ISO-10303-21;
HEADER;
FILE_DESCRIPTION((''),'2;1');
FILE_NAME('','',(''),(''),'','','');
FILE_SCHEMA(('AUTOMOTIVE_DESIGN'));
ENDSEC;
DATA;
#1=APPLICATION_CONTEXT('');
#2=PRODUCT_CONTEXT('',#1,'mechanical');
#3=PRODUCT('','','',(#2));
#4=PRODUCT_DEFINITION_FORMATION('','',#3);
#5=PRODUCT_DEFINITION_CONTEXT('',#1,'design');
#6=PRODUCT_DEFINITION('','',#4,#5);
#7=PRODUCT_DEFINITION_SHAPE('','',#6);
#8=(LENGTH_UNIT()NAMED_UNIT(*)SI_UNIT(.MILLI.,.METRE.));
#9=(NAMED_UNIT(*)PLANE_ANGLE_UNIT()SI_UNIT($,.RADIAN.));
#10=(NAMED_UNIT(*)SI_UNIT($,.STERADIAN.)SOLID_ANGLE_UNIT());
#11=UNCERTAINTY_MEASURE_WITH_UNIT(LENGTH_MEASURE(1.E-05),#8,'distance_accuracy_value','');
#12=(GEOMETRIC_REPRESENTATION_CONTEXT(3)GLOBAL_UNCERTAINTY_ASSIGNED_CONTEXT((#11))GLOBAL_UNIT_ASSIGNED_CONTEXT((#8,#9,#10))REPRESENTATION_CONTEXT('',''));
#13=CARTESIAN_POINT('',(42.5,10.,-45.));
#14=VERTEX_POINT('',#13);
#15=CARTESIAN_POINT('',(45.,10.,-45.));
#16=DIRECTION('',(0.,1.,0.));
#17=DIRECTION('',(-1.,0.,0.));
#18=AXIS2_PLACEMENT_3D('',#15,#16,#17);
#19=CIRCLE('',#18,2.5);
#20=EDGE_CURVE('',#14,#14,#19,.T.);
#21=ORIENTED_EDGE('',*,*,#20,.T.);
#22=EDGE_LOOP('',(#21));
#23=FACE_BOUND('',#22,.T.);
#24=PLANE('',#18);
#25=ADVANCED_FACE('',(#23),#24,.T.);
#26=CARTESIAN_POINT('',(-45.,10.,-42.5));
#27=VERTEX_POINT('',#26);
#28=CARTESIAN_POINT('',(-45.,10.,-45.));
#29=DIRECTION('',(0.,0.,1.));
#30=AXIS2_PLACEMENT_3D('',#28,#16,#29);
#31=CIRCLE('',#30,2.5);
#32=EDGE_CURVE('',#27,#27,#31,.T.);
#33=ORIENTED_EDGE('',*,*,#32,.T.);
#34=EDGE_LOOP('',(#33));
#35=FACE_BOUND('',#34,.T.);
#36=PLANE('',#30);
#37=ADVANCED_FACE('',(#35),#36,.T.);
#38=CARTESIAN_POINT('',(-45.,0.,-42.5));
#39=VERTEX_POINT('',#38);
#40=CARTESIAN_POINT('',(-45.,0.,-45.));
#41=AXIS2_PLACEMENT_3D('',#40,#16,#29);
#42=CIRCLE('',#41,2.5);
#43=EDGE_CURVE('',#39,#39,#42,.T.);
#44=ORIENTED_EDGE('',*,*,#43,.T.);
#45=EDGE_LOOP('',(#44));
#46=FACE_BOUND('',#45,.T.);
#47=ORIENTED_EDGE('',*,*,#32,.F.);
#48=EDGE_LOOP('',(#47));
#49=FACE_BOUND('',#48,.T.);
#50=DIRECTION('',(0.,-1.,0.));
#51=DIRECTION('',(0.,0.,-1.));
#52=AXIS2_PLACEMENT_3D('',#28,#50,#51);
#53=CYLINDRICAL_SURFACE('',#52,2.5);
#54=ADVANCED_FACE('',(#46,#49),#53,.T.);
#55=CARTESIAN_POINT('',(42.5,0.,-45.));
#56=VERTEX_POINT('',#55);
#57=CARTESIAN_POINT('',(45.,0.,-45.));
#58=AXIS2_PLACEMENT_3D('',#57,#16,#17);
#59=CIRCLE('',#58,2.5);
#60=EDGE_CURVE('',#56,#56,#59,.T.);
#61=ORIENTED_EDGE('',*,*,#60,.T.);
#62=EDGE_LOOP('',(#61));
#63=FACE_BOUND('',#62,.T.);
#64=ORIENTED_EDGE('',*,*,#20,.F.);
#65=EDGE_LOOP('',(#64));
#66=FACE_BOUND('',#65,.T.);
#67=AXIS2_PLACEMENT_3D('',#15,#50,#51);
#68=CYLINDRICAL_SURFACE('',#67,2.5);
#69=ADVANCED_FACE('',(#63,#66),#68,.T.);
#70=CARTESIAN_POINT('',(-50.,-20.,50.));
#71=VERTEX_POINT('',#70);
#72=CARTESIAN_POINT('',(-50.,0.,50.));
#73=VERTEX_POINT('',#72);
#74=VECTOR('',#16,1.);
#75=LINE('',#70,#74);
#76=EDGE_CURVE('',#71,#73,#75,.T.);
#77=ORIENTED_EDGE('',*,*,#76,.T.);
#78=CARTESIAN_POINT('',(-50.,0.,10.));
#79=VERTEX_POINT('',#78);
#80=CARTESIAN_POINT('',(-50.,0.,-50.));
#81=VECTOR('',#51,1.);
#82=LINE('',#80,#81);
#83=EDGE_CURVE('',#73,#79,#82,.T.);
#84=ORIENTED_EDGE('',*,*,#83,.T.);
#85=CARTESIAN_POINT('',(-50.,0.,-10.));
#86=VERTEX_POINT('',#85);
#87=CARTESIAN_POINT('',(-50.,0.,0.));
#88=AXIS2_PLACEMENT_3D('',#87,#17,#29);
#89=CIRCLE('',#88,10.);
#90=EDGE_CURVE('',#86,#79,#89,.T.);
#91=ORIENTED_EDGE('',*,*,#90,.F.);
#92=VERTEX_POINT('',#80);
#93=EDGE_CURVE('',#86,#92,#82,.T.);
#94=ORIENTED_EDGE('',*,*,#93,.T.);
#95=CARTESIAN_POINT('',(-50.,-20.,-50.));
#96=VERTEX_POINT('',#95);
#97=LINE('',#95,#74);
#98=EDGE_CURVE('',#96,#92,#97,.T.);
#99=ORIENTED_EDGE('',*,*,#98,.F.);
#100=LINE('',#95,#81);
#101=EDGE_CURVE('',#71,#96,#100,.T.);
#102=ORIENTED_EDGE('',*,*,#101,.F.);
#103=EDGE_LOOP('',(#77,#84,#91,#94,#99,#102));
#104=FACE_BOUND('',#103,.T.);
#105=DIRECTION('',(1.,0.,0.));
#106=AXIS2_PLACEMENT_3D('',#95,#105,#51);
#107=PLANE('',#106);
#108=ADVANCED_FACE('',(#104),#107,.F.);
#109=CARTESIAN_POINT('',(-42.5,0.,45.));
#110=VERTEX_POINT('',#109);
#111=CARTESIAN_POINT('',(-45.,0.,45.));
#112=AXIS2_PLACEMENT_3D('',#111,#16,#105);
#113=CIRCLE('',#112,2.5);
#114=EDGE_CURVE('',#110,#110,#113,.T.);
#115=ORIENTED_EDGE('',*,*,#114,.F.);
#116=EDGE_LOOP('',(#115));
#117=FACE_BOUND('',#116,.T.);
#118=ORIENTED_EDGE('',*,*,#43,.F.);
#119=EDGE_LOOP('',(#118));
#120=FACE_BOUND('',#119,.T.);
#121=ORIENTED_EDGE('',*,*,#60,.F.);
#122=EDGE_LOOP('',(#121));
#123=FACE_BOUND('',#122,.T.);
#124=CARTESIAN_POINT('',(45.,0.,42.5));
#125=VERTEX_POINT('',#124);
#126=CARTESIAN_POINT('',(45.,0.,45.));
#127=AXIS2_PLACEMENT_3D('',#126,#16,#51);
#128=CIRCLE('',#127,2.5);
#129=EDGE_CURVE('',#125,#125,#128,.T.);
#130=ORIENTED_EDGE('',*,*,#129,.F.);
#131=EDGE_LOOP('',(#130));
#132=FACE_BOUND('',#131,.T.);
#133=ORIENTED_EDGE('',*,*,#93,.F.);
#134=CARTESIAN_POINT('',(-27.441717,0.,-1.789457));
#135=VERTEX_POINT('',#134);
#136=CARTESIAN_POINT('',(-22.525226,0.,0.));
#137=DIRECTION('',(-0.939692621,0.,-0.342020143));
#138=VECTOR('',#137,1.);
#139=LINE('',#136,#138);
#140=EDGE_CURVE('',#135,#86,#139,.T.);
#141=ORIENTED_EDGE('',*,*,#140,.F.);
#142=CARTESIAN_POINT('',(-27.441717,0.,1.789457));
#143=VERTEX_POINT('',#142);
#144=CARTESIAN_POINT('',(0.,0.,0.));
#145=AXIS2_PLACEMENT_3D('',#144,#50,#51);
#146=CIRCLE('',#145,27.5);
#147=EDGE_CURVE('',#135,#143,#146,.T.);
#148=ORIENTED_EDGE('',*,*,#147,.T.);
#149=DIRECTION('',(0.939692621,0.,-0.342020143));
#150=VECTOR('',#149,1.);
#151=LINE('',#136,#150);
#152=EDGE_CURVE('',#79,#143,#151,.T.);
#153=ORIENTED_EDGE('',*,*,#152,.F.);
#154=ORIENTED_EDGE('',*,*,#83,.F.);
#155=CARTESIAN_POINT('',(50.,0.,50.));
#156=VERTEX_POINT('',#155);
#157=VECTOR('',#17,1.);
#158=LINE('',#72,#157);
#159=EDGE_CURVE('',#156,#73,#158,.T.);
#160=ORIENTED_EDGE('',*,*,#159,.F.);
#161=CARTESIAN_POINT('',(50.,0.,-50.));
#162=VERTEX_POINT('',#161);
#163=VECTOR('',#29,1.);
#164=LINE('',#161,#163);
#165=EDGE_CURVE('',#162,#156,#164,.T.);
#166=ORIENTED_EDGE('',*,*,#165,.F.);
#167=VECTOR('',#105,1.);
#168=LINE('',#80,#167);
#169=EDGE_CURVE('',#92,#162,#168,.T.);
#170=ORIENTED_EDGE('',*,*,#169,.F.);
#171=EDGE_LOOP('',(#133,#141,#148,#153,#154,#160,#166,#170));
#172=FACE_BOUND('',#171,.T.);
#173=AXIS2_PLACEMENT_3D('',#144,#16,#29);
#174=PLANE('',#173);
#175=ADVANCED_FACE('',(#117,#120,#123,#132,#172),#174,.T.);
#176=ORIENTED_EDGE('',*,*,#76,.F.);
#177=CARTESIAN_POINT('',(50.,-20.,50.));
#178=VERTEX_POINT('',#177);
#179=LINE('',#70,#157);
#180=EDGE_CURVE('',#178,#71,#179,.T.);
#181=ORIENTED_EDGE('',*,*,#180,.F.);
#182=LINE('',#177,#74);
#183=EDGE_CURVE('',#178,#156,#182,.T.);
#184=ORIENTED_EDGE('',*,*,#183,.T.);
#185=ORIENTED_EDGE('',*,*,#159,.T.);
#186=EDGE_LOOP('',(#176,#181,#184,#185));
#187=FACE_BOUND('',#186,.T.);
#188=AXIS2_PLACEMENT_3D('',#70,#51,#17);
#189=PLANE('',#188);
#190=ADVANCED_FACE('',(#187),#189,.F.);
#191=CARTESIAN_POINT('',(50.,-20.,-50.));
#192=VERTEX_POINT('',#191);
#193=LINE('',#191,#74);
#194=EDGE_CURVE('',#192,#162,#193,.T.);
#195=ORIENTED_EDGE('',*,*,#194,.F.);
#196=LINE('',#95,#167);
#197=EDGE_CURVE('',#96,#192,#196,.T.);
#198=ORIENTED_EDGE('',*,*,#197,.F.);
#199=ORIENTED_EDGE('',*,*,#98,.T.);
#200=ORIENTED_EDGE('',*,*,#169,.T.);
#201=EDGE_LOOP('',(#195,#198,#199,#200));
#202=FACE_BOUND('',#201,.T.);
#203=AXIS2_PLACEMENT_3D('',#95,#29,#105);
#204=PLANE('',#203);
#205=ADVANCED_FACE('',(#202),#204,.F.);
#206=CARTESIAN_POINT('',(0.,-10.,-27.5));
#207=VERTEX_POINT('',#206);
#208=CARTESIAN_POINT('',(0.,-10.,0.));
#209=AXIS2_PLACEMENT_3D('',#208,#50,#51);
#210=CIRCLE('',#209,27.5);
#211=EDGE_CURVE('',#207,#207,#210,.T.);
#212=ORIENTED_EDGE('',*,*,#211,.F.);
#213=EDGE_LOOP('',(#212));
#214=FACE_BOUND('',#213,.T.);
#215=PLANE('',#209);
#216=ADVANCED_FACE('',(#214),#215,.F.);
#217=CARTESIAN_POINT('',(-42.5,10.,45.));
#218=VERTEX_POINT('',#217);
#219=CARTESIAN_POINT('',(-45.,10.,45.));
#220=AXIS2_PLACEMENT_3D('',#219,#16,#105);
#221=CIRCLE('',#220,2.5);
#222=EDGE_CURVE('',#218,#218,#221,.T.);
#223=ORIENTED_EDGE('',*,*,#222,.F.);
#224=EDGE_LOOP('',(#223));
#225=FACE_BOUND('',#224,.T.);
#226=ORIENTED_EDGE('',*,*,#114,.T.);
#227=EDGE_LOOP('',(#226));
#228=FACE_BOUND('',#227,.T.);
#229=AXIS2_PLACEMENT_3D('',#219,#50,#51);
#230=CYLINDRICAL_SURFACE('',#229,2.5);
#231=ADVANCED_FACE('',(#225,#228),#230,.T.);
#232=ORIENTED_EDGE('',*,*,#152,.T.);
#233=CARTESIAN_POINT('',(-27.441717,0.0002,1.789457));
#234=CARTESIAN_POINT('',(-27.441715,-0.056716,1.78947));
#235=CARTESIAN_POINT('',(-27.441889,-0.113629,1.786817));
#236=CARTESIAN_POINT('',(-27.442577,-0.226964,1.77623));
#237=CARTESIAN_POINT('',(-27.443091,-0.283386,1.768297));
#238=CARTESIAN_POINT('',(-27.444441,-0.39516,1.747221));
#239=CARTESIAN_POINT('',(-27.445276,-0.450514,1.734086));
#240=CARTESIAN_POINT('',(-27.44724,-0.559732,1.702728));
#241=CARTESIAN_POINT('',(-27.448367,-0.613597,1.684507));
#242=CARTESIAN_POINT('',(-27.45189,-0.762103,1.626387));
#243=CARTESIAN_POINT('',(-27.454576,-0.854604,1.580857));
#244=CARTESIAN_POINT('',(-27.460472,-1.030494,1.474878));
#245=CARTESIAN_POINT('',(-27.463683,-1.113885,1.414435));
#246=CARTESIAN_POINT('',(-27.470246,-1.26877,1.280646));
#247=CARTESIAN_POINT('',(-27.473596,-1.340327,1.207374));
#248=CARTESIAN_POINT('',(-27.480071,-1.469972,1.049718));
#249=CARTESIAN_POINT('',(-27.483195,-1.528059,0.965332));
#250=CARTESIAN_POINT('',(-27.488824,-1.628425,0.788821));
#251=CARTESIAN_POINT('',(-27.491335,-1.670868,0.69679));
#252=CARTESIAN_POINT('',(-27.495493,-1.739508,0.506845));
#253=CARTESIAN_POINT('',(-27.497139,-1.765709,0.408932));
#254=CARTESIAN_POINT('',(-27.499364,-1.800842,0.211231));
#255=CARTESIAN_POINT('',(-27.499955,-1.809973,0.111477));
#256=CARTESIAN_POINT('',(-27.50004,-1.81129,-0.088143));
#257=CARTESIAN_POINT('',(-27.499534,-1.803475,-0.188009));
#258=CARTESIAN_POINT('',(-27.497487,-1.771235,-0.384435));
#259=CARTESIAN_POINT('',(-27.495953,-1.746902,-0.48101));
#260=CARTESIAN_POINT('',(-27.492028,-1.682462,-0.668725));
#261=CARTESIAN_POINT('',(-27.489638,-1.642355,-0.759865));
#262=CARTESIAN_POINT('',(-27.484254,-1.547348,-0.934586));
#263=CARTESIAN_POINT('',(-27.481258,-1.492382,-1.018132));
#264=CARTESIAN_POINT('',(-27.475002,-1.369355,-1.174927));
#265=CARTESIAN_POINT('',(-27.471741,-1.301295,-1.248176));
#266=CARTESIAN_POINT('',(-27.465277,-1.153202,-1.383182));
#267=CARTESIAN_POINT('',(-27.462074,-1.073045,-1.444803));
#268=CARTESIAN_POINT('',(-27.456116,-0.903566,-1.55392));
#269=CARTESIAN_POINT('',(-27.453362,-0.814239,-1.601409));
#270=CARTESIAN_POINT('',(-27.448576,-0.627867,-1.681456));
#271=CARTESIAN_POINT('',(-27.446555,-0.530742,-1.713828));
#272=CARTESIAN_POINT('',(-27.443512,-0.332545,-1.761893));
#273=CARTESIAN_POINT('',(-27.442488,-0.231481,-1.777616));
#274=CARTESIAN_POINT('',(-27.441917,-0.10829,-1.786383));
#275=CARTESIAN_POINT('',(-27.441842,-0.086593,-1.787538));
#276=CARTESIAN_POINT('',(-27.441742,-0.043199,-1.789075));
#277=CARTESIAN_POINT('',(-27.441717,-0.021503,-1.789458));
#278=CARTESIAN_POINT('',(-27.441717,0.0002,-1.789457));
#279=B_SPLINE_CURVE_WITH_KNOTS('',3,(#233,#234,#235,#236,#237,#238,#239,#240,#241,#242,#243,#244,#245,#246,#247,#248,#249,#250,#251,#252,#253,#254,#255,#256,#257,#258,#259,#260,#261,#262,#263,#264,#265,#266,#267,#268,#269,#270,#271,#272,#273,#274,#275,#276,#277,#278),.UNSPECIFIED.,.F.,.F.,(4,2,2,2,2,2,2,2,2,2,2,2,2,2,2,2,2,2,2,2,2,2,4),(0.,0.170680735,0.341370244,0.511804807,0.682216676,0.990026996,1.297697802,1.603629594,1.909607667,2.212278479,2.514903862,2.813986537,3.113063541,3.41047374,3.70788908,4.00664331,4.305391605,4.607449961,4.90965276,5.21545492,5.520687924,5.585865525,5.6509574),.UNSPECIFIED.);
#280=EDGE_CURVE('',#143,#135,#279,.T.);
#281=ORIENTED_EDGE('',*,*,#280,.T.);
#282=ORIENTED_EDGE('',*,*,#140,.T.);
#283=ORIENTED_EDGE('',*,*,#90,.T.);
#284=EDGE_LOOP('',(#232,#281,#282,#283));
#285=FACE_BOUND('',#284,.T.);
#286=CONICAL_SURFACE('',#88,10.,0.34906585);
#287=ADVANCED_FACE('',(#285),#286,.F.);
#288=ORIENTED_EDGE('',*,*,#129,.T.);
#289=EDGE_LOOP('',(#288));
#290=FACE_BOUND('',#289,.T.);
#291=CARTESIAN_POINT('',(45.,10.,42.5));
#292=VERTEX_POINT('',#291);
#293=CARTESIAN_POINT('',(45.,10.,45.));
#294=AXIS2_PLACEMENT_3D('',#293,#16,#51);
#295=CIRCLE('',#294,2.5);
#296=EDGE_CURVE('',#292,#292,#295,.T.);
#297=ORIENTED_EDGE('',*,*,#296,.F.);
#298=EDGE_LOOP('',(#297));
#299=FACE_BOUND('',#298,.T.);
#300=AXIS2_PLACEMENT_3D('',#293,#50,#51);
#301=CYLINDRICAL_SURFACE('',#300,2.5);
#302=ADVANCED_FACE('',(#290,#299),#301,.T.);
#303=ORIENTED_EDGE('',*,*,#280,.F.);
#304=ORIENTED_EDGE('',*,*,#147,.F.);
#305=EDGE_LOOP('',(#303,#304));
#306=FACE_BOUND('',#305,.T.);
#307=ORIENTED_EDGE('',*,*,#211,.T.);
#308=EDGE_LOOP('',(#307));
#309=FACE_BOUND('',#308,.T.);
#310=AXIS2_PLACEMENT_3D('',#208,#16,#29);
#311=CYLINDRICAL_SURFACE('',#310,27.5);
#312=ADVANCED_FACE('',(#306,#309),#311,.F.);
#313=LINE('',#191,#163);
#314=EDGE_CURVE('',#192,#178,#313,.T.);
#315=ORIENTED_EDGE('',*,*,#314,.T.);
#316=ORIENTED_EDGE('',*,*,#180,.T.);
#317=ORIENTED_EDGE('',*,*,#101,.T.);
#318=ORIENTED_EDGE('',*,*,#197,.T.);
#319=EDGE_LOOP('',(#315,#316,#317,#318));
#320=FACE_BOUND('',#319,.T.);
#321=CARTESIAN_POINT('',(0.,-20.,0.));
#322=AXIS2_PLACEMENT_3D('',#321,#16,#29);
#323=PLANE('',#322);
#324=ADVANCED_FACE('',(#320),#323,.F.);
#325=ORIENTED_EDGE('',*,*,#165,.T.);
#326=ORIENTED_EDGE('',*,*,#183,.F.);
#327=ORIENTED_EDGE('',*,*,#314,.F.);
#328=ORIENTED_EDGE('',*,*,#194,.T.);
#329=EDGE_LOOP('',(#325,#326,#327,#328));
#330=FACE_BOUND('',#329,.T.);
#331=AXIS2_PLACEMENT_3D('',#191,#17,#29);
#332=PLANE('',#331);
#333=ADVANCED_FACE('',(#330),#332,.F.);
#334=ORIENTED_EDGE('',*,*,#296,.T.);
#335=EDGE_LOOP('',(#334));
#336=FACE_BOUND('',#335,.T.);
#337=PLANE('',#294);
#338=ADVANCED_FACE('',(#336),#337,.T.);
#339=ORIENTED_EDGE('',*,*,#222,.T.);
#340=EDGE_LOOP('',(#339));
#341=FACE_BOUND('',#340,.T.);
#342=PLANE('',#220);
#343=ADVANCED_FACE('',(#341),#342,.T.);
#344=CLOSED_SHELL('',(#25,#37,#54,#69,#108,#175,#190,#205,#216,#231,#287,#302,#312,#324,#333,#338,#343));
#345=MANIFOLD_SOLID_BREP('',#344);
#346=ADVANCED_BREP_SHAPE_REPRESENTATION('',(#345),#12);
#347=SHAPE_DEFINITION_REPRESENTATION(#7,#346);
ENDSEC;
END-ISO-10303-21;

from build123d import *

# Parameters (mm, degrees)
SKETCH1_W           = 80
SKETCH1_H           = 80
BOSS_EXTRUDE1_DEPTH = 15
BOSS_EXTRUDE1_DRAFT = -5
SKETCH2_W           = 13.5
SKETCH2_H           = 72
SKETCH2_W_2         = 72
SKETCH2_H_2         = 13.5
CUT_EXTRUDE1_DEPTH  = 10
CUT_EXTRUDE1_TAPER  = 5
SKETCH3_R           = 27.5
BOSS_EXTRUDE2_DEPTH = 10
SKETCH4_W           = 100
SKETCH4_H           = 100
BOSS_EXTRUDE3_DEPTH = 20
SKETCH5_R           = 2.5
BOSS_EXTRUDE4_DEPTH = 10
CIRPATTERN1_COUNT   = 4
SKETCH6_R           = 10
CUT_EXTRUDE2_DEPTH  = 25
CUT_EXTRUDE2_DRAFT  = -20


with BuildPart() as part:
    # Sketch1 → Boss-Extrude1 (with draft: the straight prism first)
    with BuildSketch(Plane(origin=(0, 0, 0), x_dir=(1, 0, 0), z_dir=(0, 1, 0))):
        Rectangle(SKETCH1_W, SKETCH1_H)
    extrude(amount=BOSS_EXTRUDE1_DEPTH)
    # Boss-Extrude1: the draft: its side faces are tilted about the plane it starts from
    boss_extrude1_sides = [part.faces().sort_by_distance(p)[0] for p in [
        (0, 7.5, 40),
        (40, 7.5, 0),
        (0, 7.5, -40),
        (-40, 7.5, 0),
    ]]
    draft(boss_extrude1_sides, Plane(origin=(0, 0, 0), x_dir=(1, 0, 0), z_dir=(0, 1, 0)), BOSS_EXTRUDE1_DRAFT)

    # Sketch2 → Cut-Extrude1 (cut)
    with BuildSketch(Plane(origin=(0, 15, 0), x_dir=(1, 0, 0), z_dir=(0, 1, 0))):
        Rectangle(SKETCH2_W, SKETCH2_H)
        Rectangle(SKETCH2_W_2, SKETCH2_H_2)
    extrude(amount=-CUT_EXTRUDE1_DEPTH, taper=CUT_EXTRUDE1_TAPER, mode=Mode.SUBTRACT)

    # Sketch3 → Boss-Extrude2 (add)
    with BuildSketch(Plane.XZ):
        with Locations(Location((0, 0, 0), (0, 0, 270))):  # turned: the seam where the file's is
            Circle(SKETCH3_R)
    extrude(amount=BOSS_EXTRUDE2_DEPTH)


with BuildPart() as body_2:
    # Sketch4 → Boss-Extrude3 (new body)
    with BuildSketch(Plane.XZ):
        Rectangle(SKETCH4_W, SKETCH4_H)
    extrude(amount=BOSS_EXTRUDE3_DEPTH)

    # Combine1: cut part
    add(part.part, mode=Mode.SUBTRACT)

    # Sketch5 → Boss-Extrude4 (add)
    with BuildSketch(Plane(origin=(0, 0, 0), x_dir=(1, 0, 0), z_dir=(0, 1, 0))):
        with Locations(Location((-45, 45, 0), (0, 0, 270))):  # turned: the seam where the file's is
            Circle(SKETCH5_R)
    boss_extrude4 = extrude(amount=BOSS_EXTRUDE4_DEPTH)

    # CirPattern1: Boss-Extrude4 ×4 about axis
    cirpattern1_axis = Axis((0, 0, 0), (0, 1, 0))
    for i in range(1, CIRPATTERN1_COUNT):
        add(boss_extrude4.rotate(cirpattern1_axis, i * 360 / CIRPATTERN1_COUNT))


with BuildPart() as cut_extrude2_tool:
    # Sketch6 → Cut-Extrude2 (with draft: the straight prism first)
    with BuildSketch(Plane.ZY.offset(50)):
        Circle(SKETCH6_R)
    extrude(amount=-CUT_EXTRUDE2_DEPTH)
    # Cut-Extrude2: the draft: its side faces are tilted about the plane it starts from
    cut_extrude2_sides = [cut_extrude2_tool.faces().sort_by_distance(p)[0] for p in [
        (-37.5, 0, -10),
    ]]
    draft(cut_extrude2_sides, Plane.ZY.offset(50), CUT_EXTRUDE2_DRAFT)


with BuildPart() as body_2_1:
    add(body_2.part)

    # Cut-Extrude2: cut by cut_extrude2_tool
    add(cut_extrude2_tool.part, mode=Mode.SUBTRACT)


solid = body_2_1.part
